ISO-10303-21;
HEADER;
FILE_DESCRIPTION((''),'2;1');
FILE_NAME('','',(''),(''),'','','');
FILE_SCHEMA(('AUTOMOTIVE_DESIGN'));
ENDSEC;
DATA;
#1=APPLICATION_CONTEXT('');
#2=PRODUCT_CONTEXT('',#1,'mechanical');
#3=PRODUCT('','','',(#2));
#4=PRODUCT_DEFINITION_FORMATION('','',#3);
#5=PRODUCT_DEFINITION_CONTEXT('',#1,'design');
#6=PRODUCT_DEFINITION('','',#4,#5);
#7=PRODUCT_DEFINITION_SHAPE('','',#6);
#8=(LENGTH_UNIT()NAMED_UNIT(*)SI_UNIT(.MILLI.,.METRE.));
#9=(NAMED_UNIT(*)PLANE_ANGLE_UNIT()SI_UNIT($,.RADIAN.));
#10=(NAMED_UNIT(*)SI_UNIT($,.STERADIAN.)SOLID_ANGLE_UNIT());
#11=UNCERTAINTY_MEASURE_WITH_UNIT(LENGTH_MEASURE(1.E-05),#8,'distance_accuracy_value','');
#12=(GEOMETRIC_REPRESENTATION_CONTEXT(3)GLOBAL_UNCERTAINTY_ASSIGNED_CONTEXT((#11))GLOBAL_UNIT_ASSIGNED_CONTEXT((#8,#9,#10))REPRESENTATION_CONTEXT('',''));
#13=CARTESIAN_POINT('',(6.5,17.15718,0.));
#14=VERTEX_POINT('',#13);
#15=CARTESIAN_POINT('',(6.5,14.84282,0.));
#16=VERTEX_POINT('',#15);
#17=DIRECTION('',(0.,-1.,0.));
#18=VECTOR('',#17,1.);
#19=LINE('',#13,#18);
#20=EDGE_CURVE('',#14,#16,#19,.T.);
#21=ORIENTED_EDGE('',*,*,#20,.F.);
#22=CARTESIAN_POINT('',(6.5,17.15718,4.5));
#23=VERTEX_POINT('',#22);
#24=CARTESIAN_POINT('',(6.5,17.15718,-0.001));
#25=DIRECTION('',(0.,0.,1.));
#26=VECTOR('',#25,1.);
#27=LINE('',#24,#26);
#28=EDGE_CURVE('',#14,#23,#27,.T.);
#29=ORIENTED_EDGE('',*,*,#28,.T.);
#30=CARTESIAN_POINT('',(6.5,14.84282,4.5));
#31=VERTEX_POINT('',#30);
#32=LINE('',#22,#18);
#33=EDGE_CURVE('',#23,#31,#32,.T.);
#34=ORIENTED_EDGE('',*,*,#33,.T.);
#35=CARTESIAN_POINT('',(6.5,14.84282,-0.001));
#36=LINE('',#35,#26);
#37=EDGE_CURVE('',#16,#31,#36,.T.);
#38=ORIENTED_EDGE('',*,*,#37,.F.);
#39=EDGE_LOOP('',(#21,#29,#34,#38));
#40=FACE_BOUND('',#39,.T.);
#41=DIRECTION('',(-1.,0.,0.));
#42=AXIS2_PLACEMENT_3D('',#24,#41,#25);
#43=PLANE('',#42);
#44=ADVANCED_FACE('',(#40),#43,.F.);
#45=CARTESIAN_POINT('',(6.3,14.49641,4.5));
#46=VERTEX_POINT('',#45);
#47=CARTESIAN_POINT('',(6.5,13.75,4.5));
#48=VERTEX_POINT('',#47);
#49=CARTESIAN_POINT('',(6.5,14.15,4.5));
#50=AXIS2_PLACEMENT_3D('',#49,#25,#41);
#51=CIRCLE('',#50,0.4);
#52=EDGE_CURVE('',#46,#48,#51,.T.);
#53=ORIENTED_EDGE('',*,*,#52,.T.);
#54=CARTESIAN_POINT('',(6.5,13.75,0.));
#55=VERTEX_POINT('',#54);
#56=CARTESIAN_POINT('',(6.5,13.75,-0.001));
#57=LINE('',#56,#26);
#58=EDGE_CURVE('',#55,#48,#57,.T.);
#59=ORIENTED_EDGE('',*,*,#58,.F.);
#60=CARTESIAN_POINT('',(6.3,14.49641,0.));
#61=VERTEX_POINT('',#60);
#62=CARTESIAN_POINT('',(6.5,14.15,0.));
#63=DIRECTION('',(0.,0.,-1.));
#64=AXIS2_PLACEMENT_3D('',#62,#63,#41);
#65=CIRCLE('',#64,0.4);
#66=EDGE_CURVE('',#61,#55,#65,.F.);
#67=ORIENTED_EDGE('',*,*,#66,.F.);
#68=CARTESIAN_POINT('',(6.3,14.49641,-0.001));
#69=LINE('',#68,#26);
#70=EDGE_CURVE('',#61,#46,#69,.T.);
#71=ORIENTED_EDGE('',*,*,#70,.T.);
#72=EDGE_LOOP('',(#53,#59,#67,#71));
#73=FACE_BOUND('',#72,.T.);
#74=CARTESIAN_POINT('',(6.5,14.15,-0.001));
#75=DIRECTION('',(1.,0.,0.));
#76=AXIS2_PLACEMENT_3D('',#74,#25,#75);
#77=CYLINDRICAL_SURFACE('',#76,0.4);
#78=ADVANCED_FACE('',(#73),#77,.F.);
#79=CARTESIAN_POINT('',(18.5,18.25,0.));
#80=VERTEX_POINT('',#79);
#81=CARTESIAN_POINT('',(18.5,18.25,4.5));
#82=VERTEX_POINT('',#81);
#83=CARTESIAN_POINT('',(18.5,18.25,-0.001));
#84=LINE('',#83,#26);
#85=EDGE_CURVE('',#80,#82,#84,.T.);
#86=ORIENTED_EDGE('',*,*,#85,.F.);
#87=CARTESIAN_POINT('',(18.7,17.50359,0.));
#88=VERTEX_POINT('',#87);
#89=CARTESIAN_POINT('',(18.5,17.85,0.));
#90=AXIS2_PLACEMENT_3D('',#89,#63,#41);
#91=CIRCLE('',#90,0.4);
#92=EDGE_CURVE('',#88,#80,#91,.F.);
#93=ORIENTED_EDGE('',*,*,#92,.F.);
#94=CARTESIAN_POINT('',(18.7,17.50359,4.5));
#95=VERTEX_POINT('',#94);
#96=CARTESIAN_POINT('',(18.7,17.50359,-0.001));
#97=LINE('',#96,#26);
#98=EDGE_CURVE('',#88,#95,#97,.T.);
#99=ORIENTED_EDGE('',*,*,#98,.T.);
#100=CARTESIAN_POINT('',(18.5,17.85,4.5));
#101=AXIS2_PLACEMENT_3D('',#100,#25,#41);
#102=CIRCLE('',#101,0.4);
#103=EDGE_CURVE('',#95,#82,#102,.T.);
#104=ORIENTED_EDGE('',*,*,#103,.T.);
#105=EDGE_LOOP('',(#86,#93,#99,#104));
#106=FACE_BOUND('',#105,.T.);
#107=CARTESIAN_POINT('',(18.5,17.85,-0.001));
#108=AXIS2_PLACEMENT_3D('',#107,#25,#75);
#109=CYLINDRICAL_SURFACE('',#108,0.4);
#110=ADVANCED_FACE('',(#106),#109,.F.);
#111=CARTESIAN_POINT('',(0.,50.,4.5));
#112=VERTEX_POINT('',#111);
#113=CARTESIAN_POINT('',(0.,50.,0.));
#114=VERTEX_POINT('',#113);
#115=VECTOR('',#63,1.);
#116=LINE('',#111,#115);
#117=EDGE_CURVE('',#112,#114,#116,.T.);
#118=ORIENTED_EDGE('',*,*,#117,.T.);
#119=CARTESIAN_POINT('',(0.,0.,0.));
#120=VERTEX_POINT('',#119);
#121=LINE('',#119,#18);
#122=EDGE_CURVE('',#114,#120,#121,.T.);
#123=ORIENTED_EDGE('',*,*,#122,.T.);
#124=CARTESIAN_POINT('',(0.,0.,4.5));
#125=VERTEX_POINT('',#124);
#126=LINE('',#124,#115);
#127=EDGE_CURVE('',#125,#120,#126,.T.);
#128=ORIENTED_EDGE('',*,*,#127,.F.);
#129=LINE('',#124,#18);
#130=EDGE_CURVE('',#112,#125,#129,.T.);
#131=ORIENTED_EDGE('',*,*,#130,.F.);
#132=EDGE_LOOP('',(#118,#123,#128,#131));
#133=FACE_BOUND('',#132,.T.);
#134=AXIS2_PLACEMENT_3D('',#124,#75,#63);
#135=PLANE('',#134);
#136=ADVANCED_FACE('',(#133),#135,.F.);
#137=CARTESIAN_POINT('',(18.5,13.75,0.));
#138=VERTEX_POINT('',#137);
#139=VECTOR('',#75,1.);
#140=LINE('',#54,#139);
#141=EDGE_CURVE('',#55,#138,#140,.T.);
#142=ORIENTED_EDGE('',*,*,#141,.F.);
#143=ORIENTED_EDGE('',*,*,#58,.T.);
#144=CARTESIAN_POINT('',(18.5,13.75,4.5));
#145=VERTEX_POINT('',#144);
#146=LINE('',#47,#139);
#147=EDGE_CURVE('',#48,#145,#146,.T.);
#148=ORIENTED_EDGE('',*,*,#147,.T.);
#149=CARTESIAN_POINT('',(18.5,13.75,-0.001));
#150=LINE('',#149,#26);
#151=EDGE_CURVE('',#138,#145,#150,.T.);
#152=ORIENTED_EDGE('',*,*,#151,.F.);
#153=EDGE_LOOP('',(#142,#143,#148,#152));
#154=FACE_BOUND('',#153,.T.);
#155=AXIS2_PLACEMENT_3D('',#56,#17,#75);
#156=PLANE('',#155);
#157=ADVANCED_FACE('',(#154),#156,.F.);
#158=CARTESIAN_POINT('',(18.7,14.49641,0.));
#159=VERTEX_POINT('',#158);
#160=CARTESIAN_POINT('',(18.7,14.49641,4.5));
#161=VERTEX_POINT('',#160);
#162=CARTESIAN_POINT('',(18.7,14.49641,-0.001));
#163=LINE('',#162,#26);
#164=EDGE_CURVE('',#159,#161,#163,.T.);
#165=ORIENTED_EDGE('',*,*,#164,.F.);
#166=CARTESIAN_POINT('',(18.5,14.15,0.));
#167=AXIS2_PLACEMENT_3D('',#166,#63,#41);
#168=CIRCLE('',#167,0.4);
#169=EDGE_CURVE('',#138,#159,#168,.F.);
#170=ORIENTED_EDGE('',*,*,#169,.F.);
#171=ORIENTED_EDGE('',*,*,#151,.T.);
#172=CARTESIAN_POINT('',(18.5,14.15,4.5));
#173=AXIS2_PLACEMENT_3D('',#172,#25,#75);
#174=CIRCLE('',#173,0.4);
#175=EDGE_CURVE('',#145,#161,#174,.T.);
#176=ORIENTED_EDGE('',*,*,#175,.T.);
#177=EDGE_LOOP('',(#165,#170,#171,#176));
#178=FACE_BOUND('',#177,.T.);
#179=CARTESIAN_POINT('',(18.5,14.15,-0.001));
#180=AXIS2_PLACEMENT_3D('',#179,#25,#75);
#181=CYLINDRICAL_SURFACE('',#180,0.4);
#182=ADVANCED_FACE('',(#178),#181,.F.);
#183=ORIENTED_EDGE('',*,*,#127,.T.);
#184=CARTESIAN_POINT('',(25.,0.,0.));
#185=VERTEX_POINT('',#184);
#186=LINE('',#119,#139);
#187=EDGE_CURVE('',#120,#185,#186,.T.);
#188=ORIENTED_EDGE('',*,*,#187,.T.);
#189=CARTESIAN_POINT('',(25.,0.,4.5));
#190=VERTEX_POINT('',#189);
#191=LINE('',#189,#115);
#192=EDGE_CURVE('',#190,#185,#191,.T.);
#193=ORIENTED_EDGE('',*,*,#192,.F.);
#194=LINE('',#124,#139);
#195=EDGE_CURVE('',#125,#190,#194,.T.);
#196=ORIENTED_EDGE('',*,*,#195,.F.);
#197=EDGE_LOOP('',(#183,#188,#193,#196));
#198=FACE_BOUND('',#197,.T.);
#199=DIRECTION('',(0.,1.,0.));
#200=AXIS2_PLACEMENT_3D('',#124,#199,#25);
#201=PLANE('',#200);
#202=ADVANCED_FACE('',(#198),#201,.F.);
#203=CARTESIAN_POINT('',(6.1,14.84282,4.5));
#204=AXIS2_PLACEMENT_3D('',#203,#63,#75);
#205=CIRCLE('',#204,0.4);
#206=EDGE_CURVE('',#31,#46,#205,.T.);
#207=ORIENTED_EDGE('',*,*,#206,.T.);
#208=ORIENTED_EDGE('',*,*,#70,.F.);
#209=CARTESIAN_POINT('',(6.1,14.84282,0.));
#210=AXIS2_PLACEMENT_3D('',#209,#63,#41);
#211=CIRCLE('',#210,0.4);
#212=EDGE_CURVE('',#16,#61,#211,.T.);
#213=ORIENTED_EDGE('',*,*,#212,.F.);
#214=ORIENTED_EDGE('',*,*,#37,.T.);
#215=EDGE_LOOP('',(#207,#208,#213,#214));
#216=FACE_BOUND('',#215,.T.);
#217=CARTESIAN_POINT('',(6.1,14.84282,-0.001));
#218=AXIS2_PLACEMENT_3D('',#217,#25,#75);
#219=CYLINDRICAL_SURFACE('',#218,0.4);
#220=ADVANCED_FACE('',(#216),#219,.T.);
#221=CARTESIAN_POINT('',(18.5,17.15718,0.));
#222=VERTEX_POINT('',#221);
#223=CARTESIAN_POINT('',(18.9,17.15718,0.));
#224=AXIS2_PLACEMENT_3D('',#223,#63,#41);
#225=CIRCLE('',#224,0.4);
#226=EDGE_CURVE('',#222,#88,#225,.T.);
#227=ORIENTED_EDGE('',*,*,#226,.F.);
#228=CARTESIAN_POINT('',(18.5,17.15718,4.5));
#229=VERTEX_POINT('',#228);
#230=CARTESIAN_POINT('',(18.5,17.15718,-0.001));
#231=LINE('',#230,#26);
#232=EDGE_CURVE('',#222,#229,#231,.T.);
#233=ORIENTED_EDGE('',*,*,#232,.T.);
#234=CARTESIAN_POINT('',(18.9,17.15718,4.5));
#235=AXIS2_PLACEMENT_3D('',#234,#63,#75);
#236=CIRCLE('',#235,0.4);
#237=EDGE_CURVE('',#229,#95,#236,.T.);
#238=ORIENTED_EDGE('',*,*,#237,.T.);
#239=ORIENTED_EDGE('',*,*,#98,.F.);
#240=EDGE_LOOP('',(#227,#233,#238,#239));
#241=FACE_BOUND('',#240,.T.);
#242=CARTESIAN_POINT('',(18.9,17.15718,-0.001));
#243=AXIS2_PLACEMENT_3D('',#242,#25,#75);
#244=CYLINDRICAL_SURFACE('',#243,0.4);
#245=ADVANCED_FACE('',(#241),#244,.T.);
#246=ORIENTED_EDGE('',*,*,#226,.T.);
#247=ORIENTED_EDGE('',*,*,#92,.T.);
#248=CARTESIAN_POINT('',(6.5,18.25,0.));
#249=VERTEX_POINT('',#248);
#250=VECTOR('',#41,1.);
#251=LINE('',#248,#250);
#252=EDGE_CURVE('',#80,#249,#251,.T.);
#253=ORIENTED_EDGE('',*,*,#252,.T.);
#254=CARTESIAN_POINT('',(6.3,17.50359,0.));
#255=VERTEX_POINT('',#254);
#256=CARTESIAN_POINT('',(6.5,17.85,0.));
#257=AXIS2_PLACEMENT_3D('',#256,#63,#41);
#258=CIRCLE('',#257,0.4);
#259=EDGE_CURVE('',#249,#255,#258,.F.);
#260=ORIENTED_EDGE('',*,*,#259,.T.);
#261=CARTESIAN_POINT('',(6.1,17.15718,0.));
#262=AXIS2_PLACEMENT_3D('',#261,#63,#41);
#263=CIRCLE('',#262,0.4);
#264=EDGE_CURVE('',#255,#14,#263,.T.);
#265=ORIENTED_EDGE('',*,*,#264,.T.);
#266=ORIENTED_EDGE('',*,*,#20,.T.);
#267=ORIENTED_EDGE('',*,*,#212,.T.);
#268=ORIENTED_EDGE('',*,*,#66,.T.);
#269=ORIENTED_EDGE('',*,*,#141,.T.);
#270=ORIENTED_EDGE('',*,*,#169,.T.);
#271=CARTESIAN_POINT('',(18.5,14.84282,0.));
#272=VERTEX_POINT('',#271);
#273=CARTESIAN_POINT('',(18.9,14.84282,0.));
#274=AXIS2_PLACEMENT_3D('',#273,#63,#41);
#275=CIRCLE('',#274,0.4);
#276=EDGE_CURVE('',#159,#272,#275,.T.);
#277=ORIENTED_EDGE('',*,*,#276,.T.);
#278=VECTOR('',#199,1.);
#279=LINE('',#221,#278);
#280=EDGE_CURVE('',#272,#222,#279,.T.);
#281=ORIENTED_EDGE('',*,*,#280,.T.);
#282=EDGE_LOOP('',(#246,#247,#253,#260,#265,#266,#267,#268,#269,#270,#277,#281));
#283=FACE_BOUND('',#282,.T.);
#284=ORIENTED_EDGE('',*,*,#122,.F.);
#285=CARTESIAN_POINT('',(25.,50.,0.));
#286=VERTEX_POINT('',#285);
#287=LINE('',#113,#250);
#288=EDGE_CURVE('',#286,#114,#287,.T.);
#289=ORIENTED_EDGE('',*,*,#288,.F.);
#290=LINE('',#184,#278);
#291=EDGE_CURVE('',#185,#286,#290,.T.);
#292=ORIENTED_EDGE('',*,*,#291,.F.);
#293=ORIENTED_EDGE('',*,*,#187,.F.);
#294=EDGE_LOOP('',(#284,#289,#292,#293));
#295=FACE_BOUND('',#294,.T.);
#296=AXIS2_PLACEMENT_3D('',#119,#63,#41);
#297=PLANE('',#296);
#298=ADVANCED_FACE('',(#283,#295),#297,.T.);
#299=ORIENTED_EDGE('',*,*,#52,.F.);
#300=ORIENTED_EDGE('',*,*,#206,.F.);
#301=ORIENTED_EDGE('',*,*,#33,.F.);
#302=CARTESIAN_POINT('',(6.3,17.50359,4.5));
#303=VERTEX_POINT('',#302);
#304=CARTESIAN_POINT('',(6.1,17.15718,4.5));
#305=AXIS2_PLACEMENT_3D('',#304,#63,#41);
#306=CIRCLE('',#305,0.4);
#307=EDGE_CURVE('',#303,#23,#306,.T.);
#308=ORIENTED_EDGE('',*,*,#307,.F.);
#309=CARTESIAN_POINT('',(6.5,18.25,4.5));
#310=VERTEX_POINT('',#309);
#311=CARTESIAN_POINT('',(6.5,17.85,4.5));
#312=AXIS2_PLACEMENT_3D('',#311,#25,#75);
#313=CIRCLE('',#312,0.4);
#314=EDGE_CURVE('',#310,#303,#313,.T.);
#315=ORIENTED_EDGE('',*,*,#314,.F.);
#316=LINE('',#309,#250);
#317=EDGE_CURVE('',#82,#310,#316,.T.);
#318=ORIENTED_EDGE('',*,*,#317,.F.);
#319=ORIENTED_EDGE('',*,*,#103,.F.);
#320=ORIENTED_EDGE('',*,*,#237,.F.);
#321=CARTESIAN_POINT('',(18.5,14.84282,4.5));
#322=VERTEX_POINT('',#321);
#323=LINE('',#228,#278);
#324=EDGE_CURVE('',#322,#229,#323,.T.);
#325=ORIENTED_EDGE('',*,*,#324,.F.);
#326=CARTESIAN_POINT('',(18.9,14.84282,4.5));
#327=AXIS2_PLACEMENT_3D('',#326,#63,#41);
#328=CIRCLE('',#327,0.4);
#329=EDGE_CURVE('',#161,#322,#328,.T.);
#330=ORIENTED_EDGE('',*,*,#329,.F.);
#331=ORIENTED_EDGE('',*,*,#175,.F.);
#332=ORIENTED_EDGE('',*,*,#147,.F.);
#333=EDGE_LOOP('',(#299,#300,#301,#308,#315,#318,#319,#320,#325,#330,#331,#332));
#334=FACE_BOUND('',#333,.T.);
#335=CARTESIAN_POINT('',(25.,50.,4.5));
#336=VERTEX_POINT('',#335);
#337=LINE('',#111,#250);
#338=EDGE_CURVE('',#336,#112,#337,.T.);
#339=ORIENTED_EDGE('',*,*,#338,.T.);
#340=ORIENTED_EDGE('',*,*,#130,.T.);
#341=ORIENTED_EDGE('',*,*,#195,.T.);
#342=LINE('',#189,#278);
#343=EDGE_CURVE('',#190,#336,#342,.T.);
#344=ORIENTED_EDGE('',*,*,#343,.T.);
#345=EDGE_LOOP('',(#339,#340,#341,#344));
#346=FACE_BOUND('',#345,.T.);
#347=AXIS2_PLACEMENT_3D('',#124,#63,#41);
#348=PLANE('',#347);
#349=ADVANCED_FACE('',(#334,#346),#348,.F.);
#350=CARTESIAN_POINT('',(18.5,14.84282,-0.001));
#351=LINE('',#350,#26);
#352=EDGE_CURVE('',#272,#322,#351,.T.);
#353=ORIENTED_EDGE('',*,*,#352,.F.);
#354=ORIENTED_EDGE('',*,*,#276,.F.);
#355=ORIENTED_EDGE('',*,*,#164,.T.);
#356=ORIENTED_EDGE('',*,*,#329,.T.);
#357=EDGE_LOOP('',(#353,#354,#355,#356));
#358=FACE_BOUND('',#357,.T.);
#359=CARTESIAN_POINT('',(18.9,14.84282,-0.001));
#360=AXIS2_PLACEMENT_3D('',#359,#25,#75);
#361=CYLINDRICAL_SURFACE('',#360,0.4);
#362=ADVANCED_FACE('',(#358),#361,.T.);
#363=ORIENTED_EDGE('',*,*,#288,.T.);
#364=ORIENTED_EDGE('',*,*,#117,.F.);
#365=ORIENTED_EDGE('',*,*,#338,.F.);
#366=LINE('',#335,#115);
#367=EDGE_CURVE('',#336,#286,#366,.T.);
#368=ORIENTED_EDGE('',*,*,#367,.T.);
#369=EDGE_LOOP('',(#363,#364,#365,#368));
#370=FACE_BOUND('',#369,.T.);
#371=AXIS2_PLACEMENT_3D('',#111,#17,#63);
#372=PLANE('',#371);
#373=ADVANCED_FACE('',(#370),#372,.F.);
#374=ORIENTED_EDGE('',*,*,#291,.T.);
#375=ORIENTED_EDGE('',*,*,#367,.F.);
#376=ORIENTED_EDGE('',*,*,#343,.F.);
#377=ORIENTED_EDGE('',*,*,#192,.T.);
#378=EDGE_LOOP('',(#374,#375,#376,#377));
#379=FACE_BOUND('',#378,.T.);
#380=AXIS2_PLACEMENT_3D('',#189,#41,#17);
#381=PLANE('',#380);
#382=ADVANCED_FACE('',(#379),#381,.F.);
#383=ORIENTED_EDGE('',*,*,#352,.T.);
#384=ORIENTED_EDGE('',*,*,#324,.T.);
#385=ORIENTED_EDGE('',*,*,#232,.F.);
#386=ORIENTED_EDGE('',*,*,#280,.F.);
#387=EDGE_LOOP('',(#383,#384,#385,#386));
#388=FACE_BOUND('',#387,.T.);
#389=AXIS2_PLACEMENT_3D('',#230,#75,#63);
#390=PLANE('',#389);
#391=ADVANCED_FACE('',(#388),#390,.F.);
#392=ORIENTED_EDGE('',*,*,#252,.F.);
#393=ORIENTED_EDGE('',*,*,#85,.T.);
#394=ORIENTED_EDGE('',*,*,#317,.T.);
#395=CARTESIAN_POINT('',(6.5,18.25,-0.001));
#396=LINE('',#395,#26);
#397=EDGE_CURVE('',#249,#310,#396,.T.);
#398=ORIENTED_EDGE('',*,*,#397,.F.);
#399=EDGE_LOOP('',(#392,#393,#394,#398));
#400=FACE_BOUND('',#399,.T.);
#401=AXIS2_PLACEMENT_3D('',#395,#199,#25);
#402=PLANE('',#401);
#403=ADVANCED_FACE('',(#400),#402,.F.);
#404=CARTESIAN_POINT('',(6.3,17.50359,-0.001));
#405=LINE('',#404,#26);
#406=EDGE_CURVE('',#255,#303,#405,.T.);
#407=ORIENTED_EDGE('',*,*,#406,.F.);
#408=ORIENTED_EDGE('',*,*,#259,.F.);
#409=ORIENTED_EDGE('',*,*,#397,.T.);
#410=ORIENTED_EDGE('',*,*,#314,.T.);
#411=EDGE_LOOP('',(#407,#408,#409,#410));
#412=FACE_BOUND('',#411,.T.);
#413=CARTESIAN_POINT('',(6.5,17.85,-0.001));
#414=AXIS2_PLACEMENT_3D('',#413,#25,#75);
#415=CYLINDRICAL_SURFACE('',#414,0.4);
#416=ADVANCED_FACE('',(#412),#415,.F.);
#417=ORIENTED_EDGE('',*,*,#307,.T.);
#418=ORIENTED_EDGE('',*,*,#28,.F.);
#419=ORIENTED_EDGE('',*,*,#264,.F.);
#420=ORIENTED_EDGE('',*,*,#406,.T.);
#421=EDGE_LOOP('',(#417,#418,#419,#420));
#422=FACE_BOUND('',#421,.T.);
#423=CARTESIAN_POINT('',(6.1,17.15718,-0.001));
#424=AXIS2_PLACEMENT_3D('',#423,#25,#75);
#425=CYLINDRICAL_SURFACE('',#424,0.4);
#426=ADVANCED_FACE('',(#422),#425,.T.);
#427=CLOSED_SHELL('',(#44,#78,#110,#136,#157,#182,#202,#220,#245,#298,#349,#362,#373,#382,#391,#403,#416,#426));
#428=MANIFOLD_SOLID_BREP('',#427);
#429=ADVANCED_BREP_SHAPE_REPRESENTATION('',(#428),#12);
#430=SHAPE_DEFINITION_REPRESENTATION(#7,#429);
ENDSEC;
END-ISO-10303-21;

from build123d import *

# Parameters (mm, degrees)
SKETCH1_W           = 25
SKETCH1_H           = 50
BOSS_EXTRUDE1_DEPTH = 4.5
CUT_EXTRUDE2_REACH  = 6.5


with BuildPart() as part:
    # Sketch1 → Boss-Extrude1 (new body)
    with BuildSketch(Plane.XY):
        with Locations((12.5, 25)):
            Rectangle(SKETCH1_W, SKETCH1_H)
    extrude(amount=BOSS_EXTRUDE1_DEPTH)

    # Sketch3 → Cut-Extrude2 (cut, up to next)
    with BuildSketch(Plane.XY.offset(4.5), mode=Mode.PRIVATE) as cut_extrude2_sk1:
        with BuildLine():
            Line((6.5, 18.25), (18.5, 18.25))
            ThreePointArc((18.5, 18.25), (18.886370331, 17.953527618), (18.7, 17.503589838))
            ThreePointArc((18.7, 17.503589838), (18.553589838, 17.357179677), (18.5, 17.157179677))
            Line((18.5, 17.157179677), (18.5, 14.842820323))
            ThreePointArc((18.5, 14.842820323), (18.553589838, 14.642820323), (18.7, 14.496410162))
            ThreePointArc((18.7, 14.496410162), (18.886370331, 14.046472382), (18.5, 13.75))
            Line((18.5, 13.75), (6.5, 13.75))
            ThreePointArc((6.5, 13.75), (6.113629669, 14.046472382), (6.3, 14.496410162))
            ThreePointArc((6.3, 14.496410162), (6.446410162, 14.642820323), (6.5, 14.842820323))
            Line((6.5, 14.842820323), (6.5, 17.157179677))
            ThreePointArc((6.5, 17.157179677), (6.446410162, 17.357179677), (6.3, 17.503589838))
            ThreePointArc((6.3, 17.503589838), (6.113629669, 17.953527618), (6.5, 18.25))
        make_face()
    cut_extrude2_tool1 = extrude(cut_extrude2_sk1.sketch, amount=-CUT_EXTRUDE2_REACH, mode=Mode.PRIVATE) & part.part
    add(cut_extrude2_tool1.solids().sort_by_distance((12.5, 16, 4.5))[0], mode=Mode.SUBTRACT)


solid = part.part
